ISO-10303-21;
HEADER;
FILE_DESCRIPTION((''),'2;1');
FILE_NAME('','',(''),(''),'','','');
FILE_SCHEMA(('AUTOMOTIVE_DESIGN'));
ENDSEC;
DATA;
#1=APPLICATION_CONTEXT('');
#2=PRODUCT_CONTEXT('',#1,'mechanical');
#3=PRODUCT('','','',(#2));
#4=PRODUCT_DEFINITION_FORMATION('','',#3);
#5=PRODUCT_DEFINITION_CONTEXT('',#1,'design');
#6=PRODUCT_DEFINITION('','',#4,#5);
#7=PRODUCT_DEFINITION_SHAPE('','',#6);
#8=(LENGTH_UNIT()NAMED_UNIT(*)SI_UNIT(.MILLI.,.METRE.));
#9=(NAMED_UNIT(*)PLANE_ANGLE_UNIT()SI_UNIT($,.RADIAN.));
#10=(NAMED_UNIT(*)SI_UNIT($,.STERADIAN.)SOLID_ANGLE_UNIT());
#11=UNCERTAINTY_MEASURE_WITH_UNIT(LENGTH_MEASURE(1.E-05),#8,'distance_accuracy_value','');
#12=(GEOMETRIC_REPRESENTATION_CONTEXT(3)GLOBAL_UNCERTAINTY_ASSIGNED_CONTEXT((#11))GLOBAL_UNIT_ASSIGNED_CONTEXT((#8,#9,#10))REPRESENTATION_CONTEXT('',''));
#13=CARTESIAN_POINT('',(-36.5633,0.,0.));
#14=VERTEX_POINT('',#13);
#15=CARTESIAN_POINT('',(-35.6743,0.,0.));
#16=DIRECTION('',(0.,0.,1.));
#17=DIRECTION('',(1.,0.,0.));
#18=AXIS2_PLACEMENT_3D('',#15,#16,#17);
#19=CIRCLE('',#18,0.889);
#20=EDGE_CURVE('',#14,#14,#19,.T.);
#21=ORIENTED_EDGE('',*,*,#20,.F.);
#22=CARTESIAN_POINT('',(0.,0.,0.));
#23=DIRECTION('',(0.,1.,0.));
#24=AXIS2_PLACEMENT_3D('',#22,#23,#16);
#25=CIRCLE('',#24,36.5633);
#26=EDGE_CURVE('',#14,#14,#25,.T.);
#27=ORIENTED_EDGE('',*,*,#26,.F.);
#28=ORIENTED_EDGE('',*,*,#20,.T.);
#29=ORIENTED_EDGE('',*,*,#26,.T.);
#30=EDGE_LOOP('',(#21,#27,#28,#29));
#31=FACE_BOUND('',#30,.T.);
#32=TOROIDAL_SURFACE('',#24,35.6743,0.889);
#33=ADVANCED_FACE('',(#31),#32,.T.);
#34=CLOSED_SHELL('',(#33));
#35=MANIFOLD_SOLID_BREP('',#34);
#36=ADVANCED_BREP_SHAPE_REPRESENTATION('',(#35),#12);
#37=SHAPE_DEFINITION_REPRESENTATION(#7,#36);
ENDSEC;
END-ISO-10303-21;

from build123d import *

# Parameters (mm, degrees)
SKETCH9_R = 0.889


with BuildPart() as part:
    # Sweep5: sweep along a path in Sketch6
    with BuildLine(Plane(origin=(0, 0, 0), x_dir=(1, 0, 0), z_dir=(0, 1, 0))) as sweep5_path:
        CenterArc((0, 0), 35.6743, 0, 360)
    # Sketch9 → Sweep5 (sweep)
    with BuildSketch(Plane.XY):
        with Locations((-35.6743, 0)):
            Circle(SKETCH9_R)
    sweep(path=sweep5_path.line)


solid = part.part
